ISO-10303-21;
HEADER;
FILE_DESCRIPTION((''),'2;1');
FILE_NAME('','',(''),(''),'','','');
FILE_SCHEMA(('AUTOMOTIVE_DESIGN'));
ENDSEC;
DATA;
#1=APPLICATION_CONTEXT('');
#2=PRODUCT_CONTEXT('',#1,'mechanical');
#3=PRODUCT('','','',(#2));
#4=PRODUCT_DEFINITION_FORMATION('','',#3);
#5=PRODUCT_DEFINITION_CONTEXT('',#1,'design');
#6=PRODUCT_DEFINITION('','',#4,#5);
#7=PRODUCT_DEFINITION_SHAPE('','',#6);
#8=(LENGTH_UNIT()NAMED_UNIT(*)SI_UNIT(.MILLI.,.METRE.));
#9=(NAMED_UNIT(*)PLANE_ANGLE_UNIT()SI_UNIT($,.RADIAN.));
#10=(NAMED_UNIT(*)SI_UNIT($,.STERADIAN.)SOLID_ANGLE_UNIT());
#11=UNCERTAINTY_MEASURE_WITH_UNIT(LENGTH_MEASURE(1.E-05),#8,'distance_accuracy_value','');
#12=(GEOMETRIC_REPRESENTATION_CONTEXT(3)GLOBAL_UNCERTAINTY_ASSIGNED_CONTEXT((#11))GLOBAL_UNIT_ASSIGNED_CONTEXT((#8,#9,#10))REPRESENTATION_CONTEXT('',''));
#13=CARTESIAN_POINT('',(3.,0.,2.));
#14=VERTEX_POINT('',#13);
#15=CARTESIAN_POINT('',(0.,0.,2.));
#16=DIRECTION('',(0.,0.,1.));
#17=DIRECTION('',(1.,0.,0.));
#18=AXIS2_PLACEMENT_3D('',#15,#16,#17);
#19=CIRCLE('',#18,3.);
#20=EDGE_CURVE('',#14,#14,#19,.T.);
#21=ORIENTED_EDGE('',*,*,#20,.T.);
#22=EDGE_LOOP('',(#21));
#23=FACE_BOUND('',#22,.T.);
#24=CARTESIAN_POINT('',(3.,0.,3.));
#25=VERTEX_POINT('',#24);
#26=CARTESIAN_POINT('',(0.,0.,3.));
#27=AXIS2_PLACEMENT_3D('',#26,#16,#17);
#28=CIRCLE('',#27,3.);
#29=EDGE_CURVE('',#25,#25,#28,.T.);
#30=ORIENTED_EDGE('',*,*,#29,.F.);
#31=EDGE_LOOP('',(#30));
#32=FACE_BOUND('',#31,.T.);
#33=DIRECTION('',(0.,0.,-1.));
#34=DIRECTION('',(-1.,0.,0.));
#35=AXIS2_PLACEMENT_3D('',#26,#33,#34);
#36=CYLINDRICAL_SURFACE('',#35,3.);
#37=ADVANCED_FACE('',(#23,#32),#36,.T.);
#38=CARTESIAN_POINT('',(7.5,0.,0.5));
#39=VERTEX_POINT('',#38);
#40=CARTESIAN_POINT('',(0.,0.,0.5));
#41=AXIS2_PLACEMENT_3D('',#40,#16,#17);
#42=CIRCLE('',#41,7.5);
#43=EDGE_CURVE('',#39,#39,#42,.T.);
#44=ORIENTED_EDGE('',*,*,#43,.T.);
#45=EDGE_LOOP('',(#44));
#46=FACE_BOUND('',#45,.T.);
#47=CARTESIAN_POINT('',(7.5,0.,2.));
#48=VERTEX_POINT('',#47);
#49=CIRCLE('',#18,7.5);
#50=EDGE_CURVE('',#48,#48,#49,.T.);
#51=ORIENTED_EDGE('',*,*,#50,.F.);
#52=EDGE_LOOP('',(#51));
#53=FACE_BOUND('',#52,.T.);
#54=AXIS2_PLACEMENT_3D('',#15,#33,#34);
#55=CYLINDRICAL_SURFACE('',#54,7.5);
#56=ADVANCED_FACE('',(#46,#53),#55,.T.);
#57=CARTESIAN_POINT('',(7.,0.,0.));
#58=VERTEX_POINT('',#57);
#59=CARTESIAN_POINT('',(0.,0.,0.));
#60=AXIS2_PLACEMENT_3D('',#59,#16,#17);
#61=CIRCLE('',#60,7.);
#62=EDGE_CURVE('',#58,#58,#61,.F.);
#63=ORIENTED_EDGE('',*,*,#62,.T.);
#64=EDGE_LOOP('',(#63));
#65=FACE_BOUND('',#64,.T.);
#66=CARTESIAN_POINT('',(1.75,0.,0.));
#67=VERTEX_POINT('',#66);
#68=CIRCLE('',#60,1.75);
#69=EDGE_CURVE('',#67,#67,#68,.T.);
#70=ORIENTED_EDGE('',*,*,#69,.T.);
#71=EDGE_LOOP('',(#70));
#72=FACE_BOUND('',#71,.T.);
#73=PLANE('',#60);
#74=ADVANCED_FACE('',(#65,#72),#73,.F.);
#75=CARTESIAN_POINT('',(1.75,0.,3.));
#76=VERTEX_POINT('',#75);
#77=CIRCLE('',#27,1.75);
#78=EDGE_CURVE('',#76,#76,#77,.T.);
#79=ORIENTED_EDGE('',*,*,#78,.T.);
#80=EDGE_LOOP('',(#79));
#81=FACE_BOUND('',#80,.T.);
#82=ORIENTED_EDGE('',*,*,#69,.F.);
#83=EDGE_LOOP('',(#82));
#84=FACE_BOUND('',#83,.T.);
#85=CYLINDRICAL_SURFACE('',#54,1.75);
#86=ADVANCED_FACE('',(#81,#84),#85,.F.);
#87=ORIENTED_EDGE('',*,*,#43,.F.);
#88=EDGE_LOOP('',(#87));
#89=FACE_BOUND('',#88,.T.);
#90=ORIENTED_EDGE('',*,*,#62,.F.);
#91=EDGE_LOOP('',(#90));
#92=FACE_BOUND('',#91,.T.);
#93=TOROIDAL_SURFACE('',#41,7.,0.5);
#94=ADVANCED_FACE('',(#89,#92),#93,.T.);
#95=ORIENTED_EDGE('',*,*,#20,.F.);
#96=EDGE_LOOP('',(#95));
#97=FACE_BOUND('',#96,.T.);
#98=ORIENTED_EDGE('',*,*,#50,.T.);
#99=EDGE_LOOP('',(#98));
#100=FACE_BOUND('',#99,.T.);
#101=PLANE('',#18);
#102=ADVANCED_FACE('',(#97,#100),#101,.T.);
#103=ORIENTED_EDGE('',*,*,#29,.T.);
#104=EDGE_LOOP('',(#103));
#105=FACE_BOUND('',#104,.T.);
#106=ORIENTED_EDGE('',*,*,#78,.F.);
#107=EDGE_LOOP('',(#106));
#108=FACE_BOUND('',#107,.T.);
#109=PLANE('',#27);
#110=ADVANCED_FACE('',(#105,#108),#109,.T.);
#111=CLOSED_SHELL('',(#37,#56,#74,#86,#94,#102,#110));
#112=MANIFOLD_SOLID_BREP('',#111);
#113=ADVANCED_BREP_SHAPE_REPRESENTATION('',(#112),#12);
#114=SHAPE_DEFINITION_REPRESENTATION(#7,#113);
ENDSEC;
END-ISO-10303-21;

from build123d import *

# Parameters (mm, degrees)
SKETCH1_R           = 7.5
SKETCH1_R_2         = 1.75
BOSS_EXTRUDE1_DEPTH = 2
SKETCH2_R           = 3
SKETCH2_R_2         = 1.75
BOSS_EXTRUDE2_DEPTH = 1
FILLET1_R           = 0.5


with BuildPart() as part:
    # Sketch1 → Boss-Extrude1 (new body)
    with BuildSketch(Plane.XY):
        Circle(SKETCH1_R)
        Circle(SKETCH1_R_2, mode=Mode.SUBTRACT)
    extrude(amount=BOSS_EXTRUDE1_DEPTH)

    # Sketch2 → Boss-Extrude2 (add)
    with BuildSketch(Plane.XY.offset(2)):
        Circle(SKETCH2_R)
        Circle(SKETCH2_R_2, mode=Mode.SUBTRACT)
    extrude(amount=BOSS_EXTRUDE2_DEPTH)

    # Fillet1
    fillet1_edges = [part.edges().sort_by_distance(p)[0] for p in [
        (-7.5, 0, 0),
    ]]
    fillet(fillet1_edges, radius=FILLET1_R)


solid = part.part
